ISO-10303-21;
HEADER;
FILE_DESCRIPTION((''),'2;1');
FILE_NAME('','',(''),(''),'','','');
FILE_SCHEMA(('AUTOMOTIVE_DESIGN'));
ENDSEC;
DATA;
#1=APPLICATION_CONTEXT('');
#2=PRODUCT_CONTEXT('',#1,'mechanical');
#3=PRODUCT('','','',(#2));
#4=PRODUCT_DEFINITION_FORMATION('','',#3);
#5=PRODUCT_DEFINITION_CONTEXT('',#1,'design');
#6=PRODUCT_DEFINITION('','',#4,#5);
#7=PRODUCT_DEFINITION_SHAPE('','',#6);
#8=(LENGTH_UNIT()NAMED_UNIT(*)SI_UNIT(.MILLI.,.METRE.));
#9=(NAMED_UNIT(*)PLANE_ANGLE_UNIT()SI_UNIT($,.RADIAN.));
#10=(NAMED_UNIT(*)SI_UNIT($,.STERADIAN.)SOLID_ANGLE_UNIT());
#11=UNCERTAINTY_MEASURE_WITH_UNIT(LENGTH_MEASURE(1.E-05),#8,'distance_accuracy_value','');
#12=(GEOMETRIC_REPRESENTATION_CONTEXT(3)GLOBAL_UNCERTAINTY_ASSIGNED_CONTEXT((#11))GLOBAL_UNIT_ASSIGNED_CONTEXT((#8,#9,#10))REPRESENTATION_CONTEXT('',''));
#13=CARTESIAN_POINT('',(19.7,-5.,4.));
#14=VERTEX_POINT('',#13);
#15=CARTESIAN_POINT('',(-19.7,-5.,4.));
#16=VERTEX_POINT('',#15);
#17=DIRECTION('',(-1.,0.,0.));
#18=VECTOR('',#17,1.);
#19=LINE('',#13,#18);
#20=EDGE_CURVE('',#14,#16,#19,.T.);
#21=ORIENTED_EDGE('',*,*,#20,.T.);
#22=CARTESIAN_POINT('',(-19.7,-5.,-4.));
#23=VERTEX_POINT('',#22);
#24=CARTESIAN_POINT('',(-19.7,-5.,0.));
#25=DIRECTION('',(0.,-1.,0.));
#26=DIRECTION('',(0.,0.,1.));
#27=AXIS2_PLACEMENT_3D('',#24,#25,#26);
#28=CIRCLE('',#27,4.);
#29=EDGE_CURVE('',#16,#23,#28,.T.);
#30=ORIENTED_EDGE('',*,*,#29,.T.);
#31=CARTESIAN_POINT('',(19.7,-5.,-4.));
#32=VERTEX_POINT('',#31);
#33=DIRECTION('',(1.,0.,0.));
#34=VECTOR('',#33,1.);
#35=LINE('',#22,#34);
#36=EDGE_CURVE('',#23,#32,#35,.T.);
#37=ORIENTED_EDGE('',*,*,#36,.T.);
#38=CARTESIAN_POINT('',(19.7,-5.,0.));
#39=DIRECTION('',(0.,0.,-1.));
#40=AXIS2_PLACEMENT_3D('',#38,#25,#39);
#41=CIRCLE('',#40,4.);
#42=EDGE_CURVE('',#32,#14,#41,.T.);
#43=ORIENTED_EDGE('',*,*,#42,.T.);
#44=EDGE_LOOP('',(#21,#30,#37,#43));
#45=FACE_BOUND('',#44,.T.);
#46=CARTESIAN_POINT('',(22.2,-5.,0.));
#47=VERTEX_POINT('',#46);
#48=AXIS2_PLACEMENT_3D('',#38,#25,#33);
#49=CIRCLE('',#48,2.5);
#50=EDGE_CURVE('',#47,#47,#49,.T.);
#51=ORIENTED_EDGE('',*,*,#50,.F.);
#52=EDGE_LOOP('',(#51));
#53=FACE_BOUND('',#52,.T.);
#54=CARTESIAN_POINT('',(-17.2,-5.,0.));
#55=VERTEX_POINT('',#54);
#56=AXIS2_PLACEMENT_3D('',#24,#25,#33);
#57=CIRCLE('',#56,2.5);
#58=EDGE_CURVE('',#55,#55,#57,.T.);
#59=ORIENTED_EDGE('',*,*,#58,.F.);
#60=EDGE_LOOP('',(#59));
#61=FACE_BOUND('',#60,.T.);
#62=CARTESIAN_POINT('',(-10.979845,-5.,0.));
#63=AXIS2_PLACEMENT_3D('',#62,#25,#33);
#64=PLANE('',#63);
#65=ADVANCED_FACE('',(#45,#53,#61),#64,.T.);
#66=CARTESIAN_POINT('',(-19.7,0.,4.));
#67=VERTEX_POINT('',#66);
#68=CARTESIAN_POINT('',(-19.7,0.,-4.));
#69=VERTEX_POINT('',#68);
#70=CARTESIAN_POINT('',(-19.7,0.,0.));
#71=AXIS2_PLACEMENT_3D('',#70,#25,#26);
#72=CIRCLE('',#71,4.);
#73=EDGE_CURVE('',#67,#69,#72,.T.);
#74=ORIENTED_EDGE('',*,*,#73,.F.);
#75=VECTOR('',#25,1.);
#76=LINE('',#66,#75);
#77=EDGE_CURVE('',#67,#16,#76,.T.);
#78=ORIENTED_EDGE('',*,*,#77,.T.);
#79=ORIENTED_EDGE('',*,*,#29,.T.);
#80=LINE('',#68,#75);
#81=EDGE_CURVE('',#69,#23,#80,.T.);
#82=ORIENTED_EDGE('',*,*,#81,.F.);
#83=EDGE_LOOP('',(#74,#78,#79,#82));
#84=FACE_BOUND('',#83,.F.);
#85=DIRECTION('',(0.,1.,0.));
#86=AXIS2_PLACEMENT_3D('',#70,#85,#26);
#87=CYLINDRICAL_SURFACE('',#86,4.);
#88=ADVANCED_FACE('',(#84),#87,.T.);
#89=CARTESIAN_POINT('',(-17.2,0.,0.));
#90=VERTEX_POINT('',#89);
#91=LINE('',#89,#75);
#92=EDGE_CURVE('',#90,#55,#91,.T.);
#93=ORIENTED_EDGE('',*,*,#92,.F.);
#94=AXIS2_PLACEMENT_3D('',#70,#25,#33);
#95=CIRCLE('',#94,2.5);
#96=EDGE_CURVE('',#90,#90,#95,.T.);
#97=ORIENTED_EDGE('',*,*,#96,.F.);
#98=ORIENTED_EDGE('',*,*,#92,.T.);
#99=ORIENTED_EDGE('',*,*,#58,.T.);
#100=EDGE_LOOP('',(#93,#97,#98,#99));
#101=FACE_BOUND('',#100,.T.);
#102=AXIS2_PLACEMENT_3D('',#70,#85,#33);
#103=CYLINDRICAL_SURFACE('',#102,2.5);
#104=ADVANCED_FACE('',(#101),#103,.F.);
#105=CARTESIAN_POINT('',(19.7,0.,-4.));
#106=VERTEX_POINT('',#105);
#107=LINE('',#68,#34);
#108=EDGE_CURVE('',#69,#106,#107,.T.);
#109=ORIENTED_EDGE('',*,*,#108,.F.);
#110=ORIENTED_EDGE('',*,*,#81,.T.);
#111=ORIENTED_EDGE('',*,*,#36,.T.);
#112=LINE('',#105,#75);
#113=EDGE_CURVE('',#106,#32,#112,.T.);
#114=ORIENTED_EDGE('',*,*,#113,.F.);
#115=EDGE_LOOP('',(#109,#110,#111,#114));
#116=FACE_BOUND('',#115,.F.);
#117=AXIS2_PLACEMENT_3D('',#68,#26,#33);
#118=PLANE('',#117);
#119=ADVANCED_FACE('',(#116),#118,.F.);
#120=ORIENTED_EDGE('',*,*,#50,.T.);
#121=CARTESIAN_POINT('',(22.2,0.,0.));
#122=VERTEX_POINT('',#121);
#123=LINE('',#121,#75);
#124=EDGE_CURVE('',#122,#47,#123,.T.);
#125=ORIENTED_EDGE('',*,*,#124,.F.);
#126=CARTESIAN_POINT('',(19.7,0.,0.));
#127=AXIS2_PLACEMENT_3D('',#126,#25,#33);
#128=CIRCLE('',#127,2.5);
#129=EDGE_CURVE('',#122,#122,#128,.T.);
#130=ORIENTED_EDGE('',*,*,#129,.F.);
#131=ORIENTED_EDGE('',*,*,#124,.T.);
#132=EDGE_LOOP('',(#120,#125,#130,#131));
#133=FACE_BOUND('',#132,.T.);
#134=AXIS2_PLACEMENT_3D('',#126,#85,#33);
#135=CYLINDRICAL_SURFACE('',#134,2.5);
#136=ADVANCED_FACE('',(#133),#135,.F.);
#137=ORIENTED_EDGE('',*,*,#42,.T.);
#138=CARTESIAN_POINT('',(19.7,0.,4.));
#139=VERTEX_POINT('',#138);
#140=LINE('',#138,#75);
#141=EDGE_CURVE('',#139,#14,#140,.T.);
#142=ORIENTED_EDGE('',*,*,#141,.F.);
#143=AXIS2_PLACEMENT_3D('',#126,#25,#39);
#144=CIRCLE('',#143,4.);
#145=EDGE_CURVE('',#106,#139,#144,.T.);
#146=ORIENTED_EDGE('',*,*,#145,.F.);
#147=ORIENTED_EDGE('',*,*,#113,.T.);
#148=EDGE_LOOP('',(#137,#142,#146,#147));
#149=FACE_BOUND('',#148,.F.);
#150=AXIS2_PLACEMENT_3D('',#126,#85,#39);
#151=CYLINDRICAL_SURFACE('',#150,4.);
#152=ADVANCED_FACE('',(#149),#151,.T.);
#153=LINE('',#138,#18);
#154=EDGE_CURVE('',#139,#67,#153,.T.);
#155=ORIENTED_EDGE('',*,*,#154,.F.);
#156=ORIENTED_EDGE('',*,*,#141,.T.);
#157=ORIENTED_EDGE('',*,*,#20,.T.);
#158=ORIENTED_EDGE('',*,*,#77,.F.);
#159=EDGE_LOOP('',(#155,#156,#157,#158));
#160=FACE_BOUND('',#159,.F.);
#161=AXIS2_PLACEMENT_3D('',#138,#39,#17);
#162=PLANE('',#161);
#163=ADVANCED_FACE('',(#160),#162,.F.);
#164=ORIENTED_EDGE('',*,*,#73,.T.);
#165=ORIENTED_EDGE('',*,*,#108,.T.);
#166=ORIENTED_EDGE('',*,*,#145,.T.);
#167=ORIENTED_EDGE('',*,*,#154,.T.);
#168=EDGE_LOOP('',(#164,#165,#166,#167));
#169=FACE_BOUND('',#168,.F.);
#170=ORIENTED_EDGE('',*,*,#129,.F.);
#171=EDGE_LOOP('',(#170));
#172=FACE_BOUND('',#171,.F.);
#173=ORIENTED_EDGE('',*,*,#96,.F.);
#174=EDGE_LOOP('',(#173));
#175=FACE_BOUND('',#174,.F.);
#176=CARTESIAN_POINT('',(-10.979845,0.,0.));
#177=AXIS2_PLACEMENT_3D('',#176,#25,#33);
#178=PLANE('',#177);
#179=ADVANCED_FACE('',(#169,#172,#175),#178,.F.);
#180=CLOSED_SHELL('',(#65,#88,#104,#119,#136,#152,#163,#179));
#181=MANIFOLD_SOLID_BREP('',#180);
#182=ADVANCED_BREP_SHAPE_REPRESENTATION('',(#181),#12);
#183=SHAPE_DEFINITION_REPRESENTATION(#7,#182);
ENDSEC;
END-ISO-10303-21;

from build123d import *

# Parameters (mm, degrees)
F0_R     = 2.5
F1_DEPTH = 5


with BuildPart() as f1:
    # F0 (on Front) → F1 (new body)
    with BuildSketch(Plane.XZ):
        with BuildLine():
            Line((0, 4), (-19.7, 4))
            ThreePointArc((-19.7, 4), (-23.7, 0), (-19.7, -4))
            Line((-19.7, -4), (0, -4))
            Line((0, -4), (0, 4))
        make_face()
        with Locations((-19.7, 0)):
            Circle(F0_R, mode=Mode.SUBTRACT)
        with BuildLine():
            Line((19.7, 4), (0, 4))
            Line((0, 4), (0, -4))
            Line((0, -4), (19.7, -4))
            ThreePointArc((19.7, -4), (23.7, 0), (19.7, 4))
        make_face()
        with Locations((19.7, 0)):
            Circle(F0_R, mode=Mode.SUBTRACT)
    extrude(amount=F1_DEPTH)


solid = f1.part
